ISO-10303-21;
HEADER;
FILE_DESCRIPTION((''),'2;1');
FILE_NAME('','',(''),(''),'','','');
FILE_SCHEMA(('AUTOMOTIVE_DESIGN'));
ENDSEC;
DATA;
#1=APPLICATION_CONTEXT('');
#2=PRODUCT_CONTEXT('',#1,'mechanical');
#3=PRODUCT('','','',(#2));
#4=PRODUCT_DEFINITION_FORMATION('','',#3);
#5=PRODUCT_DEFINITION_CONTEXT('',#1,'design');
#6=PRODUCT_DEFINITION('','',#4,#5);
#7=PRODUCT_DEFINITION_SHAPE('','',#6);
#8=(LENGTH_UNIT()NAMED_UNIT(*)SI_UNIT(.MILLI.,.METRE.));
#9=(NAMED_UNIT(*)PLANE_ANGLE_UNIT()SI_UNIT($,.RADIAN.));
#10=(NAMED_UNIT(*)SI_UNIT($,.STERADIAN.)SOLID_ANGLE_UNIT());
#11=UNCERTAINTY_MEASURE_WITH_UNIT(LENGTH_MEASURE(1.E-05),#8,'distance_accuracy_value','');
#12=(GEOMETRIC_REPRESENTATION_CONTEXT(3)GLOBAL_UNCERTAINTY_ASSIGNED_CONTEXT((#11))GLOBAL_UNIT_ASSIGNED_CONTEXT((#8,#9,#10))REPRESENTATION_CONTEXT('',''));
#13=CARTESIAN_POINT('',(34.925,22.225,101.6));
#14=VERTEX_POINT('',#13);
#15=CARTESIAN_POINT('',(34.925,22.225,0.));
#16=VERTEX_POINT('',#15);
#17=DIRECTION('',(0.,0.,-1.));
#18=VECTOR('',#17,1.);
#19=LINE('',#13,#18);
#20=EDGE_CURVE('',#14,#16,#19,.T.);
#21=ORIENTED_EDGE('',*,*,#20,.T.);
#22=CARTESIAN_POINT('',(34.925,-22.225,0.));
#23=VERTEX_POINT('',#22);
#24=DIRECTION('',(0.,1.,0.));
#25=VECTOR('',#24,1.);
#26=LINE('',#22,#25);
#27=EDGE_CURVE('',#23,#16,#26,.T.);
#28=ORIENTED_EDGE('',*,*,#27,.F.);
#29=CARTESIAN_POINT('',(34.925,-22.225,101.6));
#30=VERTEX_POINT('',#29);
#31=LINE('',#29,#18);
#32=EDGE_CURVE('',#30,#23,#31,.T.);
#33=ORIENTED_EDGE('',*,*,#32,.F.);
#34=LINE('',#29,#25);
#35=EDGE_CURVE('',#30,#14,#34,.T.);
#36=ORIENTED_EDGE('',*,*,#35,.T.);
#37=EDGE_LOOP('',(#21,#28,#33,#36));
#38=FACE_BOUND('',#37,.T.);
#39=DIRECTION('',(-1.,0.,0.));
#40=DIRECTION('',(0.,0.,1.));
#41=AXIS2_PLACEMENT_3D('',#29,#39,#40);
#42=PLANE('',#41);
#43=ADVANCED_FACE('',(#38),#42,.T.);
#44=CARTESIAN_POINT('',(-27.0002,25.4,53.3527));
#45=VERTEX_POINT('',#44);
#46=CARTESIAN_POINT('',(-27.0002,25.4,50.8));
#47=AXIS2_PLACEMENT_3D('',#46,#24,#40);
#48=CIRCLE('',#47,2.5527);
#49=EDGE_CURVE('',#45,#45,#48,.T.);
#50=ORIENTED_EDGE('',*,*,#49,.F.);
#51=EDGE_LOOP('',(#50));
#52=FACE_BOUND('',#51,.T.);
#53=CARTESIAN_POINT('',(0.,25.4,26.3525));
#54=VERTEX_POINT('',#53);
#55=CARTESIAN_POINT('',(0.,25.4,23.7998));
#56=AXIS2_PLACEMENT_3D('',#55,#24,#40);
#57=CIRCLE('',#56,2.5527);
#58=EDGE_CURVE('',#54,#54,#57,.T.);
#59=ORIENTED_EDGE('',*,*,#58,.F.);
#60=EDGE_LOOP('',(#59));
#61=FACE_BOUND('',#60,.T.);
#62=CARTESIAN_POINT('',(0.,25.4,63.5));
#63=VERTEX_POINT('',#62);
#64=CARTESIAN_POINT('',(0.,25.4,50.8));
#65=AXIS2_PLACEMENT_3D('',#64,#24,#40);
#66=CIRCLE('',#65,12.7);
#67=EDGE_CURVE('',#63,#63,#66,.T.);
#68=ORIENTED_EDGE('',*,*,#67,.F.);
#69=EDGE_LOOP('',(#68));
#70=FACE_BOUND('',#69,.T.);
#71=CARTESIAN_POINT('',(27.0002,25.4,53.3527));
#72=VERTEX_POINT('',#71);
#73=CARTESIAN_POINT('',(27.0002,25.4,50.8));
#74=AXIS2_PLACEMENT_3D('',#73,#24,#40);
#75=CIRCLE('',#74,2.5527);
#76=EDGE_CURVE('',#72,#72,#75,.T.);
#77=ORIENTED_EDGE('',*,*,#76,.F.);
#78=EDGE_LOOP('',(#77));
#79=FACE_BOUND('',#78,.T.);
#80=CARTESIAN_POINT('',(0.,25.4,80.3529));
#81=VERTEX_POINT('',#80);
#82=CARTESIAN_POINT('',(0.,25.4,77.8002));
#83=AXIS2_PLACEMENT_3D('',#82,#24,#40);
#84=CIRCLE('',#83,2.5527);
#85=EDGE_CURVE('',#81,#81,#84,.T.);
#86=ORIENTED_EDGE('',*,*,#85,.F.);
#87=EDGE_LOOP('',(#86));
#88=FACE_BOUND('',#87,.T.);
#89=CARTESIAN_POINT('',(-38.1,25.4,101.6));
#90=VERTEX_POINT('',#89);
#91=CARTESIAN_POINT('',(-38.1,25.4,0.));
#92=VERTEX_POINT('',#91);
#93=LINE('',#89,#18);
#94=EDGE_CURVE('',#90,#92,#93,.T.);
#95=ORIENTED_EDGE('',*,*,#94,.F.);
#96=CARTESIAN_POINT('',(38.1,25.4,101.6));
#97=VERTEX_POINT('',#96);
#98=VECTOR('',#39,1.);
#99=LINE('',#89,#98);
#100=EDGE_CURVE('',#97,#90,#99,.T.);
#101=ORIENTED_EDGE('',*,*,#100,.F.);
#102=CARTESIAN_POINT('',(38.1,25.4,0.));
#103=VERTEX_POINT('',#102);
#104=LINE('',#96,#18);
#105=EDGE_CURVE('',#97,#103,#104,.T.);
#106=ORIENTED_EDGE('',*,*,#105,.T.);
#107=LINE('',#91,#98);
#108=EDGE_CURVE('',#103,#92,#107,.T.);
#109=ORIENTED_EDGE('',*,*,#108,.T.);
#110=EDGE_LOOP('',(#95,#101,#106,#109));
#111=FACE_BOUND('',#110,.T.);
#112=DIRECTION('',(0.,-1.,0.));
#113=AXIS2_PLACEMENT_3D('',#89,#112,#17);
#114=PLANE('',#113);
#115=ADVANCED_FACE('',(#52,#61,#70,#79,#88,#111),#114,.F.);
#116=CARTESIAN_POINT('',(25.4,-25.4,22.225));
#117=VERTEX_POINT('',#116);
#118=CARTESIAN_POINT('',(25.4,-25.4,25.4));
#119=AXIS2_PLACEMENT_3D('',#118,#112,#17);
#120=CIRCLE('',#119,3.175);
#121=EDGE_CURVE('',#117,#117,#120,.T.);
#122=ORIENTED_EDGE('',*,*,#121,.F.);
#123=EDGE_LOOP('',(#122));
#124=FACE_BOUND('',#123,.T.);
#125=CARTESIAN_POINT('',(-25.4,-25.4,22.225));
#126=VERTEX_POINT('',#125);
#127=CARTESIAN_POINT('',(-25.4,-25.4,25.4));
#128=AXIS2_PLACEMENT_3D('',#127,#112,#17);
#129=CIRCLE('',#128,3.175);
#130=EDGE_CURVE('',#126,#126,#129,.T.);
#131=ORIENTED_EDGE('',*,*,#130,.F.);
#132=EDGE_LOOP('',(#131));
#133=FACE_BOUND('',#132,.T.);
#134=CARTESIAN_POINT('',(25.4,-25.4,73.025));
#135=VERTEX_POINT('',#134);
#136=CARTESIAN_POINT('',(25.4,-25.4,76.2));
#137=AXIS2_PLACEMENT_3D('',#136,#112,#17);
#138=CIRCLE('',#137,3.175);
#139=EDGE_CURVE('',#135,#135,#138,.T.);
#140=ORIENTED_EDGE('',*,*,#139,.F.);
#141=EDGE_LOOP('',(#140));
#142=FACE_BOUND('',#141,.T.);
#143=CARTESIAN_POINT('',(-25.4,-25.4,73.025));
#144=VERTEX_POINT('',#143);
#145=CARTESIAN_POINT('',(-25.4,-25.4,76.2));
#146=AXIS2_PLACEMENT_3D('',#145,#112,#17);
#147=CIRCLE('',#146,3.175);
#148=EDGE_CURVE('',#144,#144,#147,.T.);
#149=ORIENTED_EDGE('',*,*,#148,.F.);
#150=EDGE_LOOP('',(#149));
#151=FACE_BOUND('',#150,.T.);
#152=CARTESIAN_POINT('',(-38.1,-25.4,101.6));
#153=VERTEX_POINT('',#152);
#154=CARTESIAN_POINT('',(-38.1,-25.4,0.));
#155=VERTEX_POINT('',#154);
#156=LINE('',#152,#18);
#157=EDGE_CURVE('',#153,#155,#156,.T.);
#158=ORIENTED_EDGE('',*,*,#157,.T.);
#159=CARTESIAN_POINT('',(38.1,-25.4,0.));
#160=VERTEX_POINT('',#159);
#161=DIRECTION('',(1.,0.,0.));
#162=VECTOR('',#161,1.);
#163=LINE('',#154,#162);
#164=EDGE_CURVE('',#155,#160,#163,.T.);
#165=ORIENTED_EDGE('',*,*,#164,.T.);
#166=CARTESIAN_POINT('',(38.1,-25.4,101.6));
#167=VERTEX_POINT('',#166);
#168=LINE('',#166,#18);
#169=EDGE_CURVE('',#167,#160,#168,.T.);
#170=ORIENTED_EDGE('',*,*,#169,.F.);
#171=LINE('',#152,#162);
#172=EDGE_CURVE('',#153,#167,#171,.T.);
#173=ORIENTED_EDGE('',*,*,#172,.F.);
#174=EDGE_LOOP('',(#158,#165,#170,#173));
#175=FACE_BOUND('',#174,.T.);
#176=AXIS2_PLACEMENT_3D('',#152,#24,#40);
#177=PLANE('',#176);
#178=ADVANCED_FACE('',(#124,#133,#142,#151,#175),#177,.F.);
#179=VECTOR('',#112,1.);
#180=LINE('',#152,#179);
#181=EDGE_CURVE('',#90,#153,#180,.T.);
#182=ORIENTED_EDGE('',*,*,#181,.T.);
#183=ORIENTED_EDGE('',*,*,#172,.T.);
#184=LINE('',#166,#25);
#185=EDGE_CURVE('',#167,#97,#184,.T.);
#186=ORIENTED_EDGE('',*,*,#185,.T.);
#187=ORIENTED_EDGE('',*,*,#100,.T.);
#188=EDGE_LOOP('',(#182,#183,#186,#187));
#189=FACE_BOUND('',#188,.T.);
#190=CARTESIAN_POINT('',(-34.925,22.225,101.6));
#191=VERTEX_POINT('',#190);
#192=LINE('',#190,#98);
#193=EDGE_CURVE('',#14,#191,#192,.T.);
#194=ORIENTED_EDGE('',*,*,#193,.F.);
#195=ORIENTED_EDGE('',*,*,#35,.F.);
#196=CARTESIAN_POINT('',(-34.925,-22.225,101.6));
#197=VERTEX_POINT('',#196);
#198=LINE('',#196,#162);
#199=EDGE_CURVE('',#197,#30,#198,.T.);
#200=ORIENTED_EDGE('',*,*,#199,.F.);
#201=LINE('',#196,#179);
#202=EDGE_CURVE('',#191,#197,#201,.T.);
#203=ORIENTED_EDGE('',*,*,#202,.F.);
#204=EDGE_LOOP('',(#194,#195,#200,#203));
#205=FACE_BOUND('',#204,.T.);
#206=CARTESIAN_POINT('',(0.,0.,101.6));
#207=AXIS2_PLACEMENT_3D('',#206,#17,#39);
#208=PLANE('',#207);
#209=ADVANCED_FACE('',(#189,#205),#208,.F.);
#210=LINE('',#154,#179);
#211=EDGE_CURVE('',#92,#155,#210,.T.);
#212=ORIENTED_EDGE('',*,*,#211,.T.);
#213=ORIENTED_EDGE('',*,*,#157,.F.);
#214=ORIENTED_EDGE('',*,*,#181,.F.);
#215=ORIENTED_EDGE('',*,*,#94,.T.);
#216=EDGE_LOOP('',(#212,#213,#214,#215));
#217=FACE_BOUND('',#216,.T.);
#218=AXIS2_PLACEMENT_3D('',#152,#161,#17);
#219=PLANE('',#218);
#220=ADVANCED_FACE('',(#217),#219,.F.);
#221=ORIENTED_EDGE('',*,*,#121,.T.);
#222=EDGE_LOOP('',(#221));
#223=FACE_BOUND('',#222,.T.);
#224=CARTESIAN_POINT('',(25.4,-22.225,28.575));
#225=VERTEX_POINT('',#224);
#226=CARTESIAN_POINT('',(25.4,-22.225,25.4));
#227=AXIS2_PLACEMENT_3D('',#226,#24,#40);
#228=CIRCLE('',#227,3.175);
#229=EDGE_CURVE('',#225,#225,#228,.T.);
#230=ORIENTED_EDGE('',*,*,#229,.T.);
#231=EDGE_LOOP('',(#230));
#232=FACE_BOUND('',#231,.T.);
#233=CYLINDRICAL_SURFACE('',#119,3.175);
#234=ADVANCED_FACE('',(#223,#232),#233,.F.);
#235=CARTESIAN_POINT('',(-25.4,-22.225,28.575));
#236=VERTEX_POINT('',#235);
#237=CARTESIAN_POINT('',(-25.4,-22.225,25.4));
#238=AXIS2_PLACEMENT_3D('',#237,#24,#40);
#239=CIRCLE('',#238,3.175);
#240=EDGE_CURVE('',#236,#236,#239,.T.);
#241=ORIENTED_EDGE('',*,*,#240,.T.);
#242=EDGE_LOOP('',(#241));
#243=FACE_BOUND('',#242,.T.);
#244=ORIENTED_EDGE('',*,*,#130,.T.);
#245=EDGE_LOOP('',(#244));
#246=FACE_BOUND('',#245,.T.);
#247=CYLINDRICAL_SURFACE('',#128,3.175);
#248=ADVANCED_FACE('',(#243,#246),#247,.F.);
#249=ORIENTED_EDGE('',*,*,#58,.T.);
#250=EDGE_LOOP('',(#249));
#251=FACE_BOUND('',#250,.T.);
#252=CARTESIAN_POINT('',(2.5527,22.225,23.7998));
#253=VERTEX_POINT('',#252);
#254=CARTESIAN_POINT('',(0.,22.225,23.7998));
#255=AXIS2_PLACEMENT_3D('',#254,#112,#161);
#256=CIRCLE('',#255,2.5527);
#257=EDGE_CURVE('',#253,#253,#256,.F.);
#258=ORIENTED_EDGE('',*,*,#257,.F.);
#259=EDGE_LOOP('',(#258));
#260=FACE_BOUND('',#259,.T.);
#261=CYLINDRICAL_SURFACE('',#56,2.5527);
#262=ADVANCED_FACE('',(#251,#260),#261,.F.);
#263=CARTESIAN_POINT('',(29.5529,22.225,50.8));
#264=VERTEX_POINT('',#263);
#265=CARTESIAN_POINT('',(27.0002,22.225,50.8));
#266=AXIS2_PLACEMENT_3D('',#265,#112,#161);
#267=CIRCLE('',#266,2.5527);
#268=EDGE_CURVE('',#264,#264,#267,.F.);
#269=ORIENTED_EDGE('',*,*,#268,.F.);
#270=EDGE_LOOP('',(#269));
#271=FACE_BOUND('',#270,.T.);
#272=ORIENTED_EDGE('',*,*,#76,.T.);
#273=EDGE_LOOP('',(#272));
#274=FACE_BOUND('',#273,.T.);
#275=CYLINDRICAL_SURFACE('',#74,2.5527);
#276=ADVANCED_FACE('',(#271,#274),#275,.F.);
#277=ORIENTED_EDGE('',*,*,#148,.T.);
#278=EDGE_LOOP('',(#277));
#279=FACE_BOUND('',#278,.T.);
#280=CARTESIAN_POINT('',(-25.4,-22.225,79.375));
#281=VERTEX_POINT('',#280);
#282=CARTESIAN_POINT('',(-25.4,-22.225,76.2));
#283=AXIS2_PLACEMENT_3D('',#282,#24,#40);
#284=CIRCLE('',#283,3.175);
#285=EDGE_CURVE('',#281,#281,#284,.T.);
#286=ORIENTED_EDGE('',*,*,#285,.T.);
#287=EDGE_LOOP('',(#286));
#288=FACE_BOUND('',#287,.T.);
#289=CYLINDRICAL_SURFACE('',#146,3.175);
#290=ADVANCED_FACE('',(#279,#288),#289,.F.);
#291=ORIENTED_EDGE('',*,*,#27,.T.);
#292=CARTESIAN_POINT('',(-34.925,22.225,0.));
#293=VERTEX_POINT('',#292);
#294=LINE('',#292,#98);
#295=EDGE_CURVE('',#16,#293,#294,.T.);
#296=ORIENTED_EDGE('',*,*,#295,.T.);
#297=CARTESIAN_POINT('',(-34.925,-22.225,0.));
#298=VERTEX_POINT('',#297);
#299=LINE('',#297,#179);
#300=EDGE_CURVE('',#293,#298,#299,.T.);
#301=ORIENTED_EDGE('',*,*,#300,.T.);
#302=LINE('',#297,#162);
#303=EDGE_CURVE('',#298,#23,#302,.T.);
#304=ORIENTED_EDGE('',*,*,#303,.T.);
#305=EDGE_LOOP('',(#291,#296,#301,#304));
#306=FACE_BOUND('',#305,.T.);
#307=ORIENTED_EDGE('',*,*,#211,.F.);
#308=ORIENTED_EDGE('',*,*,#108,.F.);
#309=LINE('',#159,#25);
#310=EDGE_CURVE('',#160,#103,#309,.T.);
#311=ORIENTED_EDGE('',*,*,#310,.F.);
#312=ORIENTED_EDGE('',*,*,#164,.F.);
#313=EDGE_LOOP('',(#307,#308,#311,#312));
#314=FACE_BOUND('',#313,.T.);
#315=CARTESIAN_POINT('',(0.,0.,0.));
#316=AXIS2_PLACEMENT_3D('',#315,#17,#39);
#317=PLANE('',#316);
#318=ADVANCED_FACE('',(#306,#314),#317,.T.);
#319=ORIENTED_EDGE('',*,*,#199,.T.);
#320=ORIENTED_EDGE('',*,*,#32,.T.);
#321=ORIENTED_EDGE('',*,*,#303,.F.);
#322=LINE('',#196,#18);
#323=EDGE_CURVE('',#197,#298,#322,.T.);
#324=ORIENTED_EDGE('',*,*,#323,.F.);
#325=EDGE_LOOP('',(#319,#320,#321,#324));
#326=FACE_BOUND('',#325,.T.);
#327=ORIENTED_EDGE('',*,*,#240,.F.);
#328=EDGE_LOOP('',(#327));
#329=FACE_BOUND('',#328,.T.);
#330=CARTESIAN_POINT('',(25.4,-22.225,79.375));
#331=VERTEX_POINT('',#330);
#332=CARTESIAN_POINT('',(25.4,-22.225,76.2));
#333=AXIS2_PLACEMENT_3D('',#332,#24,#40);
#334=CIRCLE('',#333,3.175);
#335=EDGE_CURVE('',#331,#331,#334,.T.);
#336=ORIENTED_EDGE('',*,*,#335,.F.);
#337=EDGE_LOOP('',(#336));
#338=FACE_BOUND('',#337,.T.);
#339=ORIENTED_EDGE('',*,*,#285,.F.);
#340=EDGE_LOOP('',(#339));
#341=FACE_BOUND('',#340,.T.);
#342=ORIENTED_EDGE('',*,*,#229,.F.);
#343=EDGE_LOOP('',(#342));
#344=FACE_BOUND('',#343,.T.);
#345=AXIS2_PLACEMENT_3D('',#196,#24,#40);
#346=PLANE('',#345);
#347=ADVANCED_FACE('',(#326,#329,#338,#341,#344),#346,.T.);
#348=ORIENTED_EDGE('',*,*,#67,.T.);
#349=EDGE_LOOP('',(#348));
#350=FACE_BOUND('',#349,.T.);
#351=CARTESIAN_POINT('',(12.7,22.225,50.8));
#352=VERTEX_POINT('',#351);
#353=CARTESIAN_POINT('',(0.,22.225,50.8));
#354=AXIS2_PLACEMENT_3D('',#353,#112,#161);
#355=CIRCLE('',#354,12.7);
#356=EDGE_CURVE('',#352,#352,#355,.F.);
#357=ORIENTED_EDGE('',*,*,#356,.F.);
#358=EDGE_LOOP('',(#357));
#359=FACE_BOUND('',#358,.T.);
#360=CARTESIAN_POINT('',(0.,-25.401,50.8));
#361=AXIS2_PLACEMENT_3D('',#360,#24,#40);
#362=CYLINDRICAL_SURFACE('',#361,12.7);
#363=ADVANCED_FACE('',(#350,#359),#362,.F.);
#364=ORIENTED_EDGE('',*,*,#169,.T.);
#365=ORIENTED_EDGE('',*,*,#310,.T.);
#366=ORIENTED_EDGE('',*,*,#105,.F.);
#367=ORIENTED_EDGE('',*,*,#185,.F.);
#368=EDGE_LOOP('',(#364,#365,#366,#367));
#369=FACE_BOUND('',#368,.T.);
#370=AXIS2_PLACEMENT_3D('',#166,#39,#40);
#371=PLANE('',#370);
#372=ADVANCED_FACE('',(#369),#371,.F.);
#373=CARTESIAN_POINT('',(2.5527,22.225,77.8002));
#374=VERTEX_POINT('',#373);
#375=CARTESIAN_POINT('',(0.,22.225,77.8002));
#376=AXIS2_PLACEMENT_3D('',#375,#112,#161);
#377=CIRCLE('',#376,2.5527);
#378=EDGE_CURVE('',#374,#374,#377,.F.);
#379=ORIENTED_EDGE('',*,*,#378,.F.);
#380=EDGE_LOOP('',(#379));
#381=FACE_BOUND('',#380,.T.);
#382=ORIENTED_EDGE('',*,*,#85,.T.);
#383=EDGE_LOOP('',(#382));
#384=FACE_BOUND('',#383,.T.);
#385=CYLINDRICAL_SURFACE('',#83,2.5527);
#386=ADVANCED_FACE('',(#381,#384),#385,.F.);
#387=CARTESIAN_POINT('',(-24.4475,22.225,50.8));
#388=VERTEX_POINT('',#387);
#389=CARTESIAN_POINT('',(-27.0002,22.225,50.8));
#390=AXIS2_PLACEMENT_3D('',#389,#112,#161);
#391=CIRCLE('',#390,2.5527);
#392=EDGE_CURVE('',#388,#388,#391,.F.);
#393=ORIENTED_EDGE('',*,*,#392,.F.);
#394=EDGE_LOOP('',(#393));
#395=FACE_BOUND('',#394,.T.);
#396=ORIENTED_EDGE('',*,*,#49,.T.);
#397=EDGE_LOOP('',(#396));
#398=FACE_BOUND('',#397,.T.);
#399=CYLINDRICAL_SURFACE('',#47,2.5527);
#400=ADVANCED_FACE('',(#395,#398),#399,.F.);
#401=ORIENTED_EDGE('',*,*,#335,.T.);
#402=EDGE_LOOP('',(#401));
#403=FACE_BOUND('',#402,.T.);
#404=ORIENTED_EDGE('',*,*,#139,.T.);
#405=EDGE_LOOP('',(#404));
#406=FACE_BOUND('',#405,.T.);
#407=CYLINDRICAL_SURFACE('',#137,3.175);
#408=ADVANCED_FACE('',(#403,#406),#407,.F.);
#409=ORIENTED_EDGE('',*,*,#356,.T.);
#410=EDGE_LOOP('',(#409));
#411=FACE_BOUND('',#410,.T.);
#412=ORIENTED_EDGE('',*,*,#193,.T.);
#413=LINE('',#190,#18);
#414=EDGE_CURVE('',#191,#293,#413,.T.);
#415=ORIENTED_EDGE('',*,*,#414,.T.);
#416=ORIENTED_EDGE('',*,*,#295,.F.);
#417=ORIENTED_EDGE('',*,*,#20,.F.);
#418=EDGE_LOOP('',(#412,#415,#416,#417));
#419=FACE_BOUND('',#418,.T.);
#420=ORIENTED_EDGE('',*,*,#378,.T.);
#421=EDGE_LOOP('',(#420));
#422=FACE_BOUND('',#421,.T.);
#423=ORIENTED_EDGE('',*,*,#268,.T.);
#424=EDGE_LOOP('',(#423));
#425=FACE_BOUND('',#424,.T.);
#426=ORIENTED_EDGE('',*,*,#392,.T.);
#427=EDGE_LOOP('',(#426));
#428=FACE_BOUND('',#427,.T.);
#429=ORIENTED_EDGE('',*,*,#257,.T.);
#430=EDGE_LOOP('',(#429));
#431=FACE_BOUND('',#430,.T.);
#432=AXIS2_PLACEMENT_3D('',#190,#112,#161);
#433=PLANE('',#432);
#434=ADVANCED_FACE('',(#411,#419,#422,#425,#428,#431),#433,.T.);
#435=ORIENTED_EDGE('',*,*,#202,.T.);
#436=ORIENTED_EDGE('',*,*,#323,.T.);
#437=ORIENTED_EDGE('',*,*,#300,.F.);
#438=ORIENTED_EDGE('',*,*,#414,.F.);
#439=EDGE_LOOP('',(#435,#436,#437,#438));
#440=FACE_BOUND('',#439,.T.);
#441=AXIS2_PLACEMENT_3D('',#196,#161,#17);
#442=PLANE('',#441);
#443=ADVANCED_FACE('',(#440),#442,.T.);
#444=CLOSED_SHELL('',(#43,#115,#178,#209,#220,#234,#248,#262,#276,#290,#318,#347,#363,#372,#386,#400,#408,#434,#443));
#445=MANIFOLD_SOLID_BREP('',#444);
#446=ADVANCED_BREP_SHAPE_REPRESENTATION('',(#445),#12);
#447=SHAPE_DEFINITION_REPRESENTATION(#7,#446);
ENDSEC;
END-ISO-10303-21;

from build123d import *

# Parameters (mm, degrees)
SKETCH1_W                       = 76.2
SKETCH1_H                       = 50.8
SKETCH1_W_2                     = 69.85
SKETCH1_H_2                     = 44.45
BOSS_EXTRUDE1_DEPTH             = 101.6
F_7_0_201_DIAMETER_HOLE1_REACH  = 121.812
F_7_0_201_DIAMETER_HOLE1_BORE_R = 2.5527
F_1_4_0_25_DIAMETER_HOLE1_D     = 6.35
F_1_4_0_25_DIAMETER_HOLE1_DEPTH = 3.175
CUT_EXTRUDE1_REACH              = 121.812
SKETCH8_R                       = 12.7


with BuildPart() as part:
    # Sketch1 → Boss-Extrude1 (new body)
    with BuildSketch(Plane.XY):
        Rectangle(SKETCH1_W, SKETCH1_H)
        Rectangle(SKETCH1_W_2, SKETCH1_H_2, mode=Mode.SUBTRACT)
    extrude(amount=BOSS_EXTRUDE1_DEPTH)

    # #7 (0.201) Diameter Hole1 bore → #7 (0.201) Diameter Hole1 (cut, up to next)
    with BuildSketch(Plane(origin=(0, 25.4, 0), x_dir=(1, 0, 0), z_dir=(0, 1, 0)), mode=Mode.PRIVATE) as f_7_0_201_diameter_hole1_sk1:
        with Locations((-27.0002, -50.8)):
            Circle(F_7_0_201_DIAMETER_HOLE1_BORE_R)
    f_7_0_201_diameter_hole1_tool1 = extrude(f_7_0_201_diameter_hole1_sk1.sketch, amount=-F_7_0_201_DIAMETER_HOLE1_REACH, mode=Mode.PRIVATE) & part.part
    # #7 (0.201) Diameter Hole1 bore → #7 (0.201) Diameter Hole1 (cut, up to next)
    with BuildSketch(Plane(origin=(0, 25.4, 0), x_dir=(1, 0, 0), z_dir=(0, 1, 0)), mode=Mode.PRIVATE) as f_7_0_201_diameter_hole1_sk2:
        with Locations((0, -23.7998)):
            Circle(F_7_0_201_DIAMETER_HOLE1_BORE_R)
    f_7_0_201_diameter_hole1_tool2 = extrude(f_7_0_201_diameter_hole1_sk2.sketch, amount=-F_7_0_201_DIAMETER_HOLE1_REACH, mode=Mode.PRIVATE) & part.part
    # #7 (0.201) Diameter Hole1 bore → #7 (0.201) Diameter Hole1 (cut, up to next)
    with BuildSketch(Plane(origin=(0, 25.4, 0), x_dir=(1, 0, 0), z_dir=(0, 1, 0)), mode=Mode.PRIVATE) as f_7_0_201_diameter_hole1_sk3:
        with Locations((27.0002, -50.8)):
            Circle(F_7_0_201_DIAMETER_HOLE1_BORE_R)
    f_7_0_201_diameter_hole1_tool3 = extrude(f_7_0_201_diameter_hole1_sk3.sketch, amount=-F_7_0_201_DIAMETER_HOLE1_REACH, mode=Mode.PRIVATE) & part.part
    # #7 (0.201) Diameter Hole1 bore → #7 (0.201) Diameter Hole1 (cut, up to next)
    with BuildSketch(Plane(origin=(0, 25.4, 0), x_dir=(1, 0, 0), z_dir=(0, 1, 0)), mode=Mode.PRIVATE) as f_7_0_201_diameter_hole1_sk4:
        with Locations((0, -77.8002)):
            Circle(F_7_0_201_DIAMETER_HOLE1_BORE_R)
    f_7_0_201_diameter_hole1_tool4 = extrude(f_7_0_201_diameter_hole1_sk4.sketch, amount=-F_7_0_201_DIAMETER_HOLE1_REACH, mode=Mode.PRIVATE) & part.part
    add(f_7_0_201_diameter_hole1_tool1.solids().sort_by_distance((-27.0002, 25.4, 50.8))[0], mode=Mode.SUBTRACT)
    add(f_7_0_201_diameter_hole1_tool2.solids().sort_by_distance((0, 25.4, 23.7998))[0], mode=Mode.SUBTRACT)
    add(f_7_0_201_diameter_hole1_tool3.solids().sort_by_distance((27.0002, 25.4, 50.8))[0], mode=Mode.SUBTRACT)
    add(f_7_0_201_diameter_hole1_tool4.solids().sort_by_distance((0, 25.4, 77.8002))[0], mode=Mode.SUBTRACT)

    # 1/4 (0.25) Diameter Hole1
    with Locations(Plane(origin=(0, -25.4, 0), x_dir=(-1, 0, 0), z_dir=(0, -1, 0))):
        with Locations((25.4, -25.4), (25.4, -76.2), (-25.4, -76.2), (-25.4, -25.4)):
            Hole(F_1_4_0_25_DIAMETER_HOLE1_D / 2, depth=F_1_4_0_25_DIAMETER_HOLE1_DEPTH)

    # Sketch8 → Cut-Extrude1 (cut, up to next)
    with BuildSketch(Plane(origin=(0, 25.4, 0), x_dir=(1, 0, 0), z_dir=(0, 1, 0)), mode=Mode.PRIVATE) as cut_extrude1_sk1:
        with Locations(Location((0, -50.8, 0), (0, 0, 270))):
            Circle(SKETCH8_R)
    cut_extrude1_tool1 = extrude(cut_extrude1_sk1.sketch, amount=-CUT_EXTRUDE1_REACH, mode=Mode.PRIVATE) & part.part
    add(cut_extrude1_tool1.solids().sort_by_distance((0, 25.4, 50.8))[0], mode=Mode.SUBTRACT)


solid = part.part
